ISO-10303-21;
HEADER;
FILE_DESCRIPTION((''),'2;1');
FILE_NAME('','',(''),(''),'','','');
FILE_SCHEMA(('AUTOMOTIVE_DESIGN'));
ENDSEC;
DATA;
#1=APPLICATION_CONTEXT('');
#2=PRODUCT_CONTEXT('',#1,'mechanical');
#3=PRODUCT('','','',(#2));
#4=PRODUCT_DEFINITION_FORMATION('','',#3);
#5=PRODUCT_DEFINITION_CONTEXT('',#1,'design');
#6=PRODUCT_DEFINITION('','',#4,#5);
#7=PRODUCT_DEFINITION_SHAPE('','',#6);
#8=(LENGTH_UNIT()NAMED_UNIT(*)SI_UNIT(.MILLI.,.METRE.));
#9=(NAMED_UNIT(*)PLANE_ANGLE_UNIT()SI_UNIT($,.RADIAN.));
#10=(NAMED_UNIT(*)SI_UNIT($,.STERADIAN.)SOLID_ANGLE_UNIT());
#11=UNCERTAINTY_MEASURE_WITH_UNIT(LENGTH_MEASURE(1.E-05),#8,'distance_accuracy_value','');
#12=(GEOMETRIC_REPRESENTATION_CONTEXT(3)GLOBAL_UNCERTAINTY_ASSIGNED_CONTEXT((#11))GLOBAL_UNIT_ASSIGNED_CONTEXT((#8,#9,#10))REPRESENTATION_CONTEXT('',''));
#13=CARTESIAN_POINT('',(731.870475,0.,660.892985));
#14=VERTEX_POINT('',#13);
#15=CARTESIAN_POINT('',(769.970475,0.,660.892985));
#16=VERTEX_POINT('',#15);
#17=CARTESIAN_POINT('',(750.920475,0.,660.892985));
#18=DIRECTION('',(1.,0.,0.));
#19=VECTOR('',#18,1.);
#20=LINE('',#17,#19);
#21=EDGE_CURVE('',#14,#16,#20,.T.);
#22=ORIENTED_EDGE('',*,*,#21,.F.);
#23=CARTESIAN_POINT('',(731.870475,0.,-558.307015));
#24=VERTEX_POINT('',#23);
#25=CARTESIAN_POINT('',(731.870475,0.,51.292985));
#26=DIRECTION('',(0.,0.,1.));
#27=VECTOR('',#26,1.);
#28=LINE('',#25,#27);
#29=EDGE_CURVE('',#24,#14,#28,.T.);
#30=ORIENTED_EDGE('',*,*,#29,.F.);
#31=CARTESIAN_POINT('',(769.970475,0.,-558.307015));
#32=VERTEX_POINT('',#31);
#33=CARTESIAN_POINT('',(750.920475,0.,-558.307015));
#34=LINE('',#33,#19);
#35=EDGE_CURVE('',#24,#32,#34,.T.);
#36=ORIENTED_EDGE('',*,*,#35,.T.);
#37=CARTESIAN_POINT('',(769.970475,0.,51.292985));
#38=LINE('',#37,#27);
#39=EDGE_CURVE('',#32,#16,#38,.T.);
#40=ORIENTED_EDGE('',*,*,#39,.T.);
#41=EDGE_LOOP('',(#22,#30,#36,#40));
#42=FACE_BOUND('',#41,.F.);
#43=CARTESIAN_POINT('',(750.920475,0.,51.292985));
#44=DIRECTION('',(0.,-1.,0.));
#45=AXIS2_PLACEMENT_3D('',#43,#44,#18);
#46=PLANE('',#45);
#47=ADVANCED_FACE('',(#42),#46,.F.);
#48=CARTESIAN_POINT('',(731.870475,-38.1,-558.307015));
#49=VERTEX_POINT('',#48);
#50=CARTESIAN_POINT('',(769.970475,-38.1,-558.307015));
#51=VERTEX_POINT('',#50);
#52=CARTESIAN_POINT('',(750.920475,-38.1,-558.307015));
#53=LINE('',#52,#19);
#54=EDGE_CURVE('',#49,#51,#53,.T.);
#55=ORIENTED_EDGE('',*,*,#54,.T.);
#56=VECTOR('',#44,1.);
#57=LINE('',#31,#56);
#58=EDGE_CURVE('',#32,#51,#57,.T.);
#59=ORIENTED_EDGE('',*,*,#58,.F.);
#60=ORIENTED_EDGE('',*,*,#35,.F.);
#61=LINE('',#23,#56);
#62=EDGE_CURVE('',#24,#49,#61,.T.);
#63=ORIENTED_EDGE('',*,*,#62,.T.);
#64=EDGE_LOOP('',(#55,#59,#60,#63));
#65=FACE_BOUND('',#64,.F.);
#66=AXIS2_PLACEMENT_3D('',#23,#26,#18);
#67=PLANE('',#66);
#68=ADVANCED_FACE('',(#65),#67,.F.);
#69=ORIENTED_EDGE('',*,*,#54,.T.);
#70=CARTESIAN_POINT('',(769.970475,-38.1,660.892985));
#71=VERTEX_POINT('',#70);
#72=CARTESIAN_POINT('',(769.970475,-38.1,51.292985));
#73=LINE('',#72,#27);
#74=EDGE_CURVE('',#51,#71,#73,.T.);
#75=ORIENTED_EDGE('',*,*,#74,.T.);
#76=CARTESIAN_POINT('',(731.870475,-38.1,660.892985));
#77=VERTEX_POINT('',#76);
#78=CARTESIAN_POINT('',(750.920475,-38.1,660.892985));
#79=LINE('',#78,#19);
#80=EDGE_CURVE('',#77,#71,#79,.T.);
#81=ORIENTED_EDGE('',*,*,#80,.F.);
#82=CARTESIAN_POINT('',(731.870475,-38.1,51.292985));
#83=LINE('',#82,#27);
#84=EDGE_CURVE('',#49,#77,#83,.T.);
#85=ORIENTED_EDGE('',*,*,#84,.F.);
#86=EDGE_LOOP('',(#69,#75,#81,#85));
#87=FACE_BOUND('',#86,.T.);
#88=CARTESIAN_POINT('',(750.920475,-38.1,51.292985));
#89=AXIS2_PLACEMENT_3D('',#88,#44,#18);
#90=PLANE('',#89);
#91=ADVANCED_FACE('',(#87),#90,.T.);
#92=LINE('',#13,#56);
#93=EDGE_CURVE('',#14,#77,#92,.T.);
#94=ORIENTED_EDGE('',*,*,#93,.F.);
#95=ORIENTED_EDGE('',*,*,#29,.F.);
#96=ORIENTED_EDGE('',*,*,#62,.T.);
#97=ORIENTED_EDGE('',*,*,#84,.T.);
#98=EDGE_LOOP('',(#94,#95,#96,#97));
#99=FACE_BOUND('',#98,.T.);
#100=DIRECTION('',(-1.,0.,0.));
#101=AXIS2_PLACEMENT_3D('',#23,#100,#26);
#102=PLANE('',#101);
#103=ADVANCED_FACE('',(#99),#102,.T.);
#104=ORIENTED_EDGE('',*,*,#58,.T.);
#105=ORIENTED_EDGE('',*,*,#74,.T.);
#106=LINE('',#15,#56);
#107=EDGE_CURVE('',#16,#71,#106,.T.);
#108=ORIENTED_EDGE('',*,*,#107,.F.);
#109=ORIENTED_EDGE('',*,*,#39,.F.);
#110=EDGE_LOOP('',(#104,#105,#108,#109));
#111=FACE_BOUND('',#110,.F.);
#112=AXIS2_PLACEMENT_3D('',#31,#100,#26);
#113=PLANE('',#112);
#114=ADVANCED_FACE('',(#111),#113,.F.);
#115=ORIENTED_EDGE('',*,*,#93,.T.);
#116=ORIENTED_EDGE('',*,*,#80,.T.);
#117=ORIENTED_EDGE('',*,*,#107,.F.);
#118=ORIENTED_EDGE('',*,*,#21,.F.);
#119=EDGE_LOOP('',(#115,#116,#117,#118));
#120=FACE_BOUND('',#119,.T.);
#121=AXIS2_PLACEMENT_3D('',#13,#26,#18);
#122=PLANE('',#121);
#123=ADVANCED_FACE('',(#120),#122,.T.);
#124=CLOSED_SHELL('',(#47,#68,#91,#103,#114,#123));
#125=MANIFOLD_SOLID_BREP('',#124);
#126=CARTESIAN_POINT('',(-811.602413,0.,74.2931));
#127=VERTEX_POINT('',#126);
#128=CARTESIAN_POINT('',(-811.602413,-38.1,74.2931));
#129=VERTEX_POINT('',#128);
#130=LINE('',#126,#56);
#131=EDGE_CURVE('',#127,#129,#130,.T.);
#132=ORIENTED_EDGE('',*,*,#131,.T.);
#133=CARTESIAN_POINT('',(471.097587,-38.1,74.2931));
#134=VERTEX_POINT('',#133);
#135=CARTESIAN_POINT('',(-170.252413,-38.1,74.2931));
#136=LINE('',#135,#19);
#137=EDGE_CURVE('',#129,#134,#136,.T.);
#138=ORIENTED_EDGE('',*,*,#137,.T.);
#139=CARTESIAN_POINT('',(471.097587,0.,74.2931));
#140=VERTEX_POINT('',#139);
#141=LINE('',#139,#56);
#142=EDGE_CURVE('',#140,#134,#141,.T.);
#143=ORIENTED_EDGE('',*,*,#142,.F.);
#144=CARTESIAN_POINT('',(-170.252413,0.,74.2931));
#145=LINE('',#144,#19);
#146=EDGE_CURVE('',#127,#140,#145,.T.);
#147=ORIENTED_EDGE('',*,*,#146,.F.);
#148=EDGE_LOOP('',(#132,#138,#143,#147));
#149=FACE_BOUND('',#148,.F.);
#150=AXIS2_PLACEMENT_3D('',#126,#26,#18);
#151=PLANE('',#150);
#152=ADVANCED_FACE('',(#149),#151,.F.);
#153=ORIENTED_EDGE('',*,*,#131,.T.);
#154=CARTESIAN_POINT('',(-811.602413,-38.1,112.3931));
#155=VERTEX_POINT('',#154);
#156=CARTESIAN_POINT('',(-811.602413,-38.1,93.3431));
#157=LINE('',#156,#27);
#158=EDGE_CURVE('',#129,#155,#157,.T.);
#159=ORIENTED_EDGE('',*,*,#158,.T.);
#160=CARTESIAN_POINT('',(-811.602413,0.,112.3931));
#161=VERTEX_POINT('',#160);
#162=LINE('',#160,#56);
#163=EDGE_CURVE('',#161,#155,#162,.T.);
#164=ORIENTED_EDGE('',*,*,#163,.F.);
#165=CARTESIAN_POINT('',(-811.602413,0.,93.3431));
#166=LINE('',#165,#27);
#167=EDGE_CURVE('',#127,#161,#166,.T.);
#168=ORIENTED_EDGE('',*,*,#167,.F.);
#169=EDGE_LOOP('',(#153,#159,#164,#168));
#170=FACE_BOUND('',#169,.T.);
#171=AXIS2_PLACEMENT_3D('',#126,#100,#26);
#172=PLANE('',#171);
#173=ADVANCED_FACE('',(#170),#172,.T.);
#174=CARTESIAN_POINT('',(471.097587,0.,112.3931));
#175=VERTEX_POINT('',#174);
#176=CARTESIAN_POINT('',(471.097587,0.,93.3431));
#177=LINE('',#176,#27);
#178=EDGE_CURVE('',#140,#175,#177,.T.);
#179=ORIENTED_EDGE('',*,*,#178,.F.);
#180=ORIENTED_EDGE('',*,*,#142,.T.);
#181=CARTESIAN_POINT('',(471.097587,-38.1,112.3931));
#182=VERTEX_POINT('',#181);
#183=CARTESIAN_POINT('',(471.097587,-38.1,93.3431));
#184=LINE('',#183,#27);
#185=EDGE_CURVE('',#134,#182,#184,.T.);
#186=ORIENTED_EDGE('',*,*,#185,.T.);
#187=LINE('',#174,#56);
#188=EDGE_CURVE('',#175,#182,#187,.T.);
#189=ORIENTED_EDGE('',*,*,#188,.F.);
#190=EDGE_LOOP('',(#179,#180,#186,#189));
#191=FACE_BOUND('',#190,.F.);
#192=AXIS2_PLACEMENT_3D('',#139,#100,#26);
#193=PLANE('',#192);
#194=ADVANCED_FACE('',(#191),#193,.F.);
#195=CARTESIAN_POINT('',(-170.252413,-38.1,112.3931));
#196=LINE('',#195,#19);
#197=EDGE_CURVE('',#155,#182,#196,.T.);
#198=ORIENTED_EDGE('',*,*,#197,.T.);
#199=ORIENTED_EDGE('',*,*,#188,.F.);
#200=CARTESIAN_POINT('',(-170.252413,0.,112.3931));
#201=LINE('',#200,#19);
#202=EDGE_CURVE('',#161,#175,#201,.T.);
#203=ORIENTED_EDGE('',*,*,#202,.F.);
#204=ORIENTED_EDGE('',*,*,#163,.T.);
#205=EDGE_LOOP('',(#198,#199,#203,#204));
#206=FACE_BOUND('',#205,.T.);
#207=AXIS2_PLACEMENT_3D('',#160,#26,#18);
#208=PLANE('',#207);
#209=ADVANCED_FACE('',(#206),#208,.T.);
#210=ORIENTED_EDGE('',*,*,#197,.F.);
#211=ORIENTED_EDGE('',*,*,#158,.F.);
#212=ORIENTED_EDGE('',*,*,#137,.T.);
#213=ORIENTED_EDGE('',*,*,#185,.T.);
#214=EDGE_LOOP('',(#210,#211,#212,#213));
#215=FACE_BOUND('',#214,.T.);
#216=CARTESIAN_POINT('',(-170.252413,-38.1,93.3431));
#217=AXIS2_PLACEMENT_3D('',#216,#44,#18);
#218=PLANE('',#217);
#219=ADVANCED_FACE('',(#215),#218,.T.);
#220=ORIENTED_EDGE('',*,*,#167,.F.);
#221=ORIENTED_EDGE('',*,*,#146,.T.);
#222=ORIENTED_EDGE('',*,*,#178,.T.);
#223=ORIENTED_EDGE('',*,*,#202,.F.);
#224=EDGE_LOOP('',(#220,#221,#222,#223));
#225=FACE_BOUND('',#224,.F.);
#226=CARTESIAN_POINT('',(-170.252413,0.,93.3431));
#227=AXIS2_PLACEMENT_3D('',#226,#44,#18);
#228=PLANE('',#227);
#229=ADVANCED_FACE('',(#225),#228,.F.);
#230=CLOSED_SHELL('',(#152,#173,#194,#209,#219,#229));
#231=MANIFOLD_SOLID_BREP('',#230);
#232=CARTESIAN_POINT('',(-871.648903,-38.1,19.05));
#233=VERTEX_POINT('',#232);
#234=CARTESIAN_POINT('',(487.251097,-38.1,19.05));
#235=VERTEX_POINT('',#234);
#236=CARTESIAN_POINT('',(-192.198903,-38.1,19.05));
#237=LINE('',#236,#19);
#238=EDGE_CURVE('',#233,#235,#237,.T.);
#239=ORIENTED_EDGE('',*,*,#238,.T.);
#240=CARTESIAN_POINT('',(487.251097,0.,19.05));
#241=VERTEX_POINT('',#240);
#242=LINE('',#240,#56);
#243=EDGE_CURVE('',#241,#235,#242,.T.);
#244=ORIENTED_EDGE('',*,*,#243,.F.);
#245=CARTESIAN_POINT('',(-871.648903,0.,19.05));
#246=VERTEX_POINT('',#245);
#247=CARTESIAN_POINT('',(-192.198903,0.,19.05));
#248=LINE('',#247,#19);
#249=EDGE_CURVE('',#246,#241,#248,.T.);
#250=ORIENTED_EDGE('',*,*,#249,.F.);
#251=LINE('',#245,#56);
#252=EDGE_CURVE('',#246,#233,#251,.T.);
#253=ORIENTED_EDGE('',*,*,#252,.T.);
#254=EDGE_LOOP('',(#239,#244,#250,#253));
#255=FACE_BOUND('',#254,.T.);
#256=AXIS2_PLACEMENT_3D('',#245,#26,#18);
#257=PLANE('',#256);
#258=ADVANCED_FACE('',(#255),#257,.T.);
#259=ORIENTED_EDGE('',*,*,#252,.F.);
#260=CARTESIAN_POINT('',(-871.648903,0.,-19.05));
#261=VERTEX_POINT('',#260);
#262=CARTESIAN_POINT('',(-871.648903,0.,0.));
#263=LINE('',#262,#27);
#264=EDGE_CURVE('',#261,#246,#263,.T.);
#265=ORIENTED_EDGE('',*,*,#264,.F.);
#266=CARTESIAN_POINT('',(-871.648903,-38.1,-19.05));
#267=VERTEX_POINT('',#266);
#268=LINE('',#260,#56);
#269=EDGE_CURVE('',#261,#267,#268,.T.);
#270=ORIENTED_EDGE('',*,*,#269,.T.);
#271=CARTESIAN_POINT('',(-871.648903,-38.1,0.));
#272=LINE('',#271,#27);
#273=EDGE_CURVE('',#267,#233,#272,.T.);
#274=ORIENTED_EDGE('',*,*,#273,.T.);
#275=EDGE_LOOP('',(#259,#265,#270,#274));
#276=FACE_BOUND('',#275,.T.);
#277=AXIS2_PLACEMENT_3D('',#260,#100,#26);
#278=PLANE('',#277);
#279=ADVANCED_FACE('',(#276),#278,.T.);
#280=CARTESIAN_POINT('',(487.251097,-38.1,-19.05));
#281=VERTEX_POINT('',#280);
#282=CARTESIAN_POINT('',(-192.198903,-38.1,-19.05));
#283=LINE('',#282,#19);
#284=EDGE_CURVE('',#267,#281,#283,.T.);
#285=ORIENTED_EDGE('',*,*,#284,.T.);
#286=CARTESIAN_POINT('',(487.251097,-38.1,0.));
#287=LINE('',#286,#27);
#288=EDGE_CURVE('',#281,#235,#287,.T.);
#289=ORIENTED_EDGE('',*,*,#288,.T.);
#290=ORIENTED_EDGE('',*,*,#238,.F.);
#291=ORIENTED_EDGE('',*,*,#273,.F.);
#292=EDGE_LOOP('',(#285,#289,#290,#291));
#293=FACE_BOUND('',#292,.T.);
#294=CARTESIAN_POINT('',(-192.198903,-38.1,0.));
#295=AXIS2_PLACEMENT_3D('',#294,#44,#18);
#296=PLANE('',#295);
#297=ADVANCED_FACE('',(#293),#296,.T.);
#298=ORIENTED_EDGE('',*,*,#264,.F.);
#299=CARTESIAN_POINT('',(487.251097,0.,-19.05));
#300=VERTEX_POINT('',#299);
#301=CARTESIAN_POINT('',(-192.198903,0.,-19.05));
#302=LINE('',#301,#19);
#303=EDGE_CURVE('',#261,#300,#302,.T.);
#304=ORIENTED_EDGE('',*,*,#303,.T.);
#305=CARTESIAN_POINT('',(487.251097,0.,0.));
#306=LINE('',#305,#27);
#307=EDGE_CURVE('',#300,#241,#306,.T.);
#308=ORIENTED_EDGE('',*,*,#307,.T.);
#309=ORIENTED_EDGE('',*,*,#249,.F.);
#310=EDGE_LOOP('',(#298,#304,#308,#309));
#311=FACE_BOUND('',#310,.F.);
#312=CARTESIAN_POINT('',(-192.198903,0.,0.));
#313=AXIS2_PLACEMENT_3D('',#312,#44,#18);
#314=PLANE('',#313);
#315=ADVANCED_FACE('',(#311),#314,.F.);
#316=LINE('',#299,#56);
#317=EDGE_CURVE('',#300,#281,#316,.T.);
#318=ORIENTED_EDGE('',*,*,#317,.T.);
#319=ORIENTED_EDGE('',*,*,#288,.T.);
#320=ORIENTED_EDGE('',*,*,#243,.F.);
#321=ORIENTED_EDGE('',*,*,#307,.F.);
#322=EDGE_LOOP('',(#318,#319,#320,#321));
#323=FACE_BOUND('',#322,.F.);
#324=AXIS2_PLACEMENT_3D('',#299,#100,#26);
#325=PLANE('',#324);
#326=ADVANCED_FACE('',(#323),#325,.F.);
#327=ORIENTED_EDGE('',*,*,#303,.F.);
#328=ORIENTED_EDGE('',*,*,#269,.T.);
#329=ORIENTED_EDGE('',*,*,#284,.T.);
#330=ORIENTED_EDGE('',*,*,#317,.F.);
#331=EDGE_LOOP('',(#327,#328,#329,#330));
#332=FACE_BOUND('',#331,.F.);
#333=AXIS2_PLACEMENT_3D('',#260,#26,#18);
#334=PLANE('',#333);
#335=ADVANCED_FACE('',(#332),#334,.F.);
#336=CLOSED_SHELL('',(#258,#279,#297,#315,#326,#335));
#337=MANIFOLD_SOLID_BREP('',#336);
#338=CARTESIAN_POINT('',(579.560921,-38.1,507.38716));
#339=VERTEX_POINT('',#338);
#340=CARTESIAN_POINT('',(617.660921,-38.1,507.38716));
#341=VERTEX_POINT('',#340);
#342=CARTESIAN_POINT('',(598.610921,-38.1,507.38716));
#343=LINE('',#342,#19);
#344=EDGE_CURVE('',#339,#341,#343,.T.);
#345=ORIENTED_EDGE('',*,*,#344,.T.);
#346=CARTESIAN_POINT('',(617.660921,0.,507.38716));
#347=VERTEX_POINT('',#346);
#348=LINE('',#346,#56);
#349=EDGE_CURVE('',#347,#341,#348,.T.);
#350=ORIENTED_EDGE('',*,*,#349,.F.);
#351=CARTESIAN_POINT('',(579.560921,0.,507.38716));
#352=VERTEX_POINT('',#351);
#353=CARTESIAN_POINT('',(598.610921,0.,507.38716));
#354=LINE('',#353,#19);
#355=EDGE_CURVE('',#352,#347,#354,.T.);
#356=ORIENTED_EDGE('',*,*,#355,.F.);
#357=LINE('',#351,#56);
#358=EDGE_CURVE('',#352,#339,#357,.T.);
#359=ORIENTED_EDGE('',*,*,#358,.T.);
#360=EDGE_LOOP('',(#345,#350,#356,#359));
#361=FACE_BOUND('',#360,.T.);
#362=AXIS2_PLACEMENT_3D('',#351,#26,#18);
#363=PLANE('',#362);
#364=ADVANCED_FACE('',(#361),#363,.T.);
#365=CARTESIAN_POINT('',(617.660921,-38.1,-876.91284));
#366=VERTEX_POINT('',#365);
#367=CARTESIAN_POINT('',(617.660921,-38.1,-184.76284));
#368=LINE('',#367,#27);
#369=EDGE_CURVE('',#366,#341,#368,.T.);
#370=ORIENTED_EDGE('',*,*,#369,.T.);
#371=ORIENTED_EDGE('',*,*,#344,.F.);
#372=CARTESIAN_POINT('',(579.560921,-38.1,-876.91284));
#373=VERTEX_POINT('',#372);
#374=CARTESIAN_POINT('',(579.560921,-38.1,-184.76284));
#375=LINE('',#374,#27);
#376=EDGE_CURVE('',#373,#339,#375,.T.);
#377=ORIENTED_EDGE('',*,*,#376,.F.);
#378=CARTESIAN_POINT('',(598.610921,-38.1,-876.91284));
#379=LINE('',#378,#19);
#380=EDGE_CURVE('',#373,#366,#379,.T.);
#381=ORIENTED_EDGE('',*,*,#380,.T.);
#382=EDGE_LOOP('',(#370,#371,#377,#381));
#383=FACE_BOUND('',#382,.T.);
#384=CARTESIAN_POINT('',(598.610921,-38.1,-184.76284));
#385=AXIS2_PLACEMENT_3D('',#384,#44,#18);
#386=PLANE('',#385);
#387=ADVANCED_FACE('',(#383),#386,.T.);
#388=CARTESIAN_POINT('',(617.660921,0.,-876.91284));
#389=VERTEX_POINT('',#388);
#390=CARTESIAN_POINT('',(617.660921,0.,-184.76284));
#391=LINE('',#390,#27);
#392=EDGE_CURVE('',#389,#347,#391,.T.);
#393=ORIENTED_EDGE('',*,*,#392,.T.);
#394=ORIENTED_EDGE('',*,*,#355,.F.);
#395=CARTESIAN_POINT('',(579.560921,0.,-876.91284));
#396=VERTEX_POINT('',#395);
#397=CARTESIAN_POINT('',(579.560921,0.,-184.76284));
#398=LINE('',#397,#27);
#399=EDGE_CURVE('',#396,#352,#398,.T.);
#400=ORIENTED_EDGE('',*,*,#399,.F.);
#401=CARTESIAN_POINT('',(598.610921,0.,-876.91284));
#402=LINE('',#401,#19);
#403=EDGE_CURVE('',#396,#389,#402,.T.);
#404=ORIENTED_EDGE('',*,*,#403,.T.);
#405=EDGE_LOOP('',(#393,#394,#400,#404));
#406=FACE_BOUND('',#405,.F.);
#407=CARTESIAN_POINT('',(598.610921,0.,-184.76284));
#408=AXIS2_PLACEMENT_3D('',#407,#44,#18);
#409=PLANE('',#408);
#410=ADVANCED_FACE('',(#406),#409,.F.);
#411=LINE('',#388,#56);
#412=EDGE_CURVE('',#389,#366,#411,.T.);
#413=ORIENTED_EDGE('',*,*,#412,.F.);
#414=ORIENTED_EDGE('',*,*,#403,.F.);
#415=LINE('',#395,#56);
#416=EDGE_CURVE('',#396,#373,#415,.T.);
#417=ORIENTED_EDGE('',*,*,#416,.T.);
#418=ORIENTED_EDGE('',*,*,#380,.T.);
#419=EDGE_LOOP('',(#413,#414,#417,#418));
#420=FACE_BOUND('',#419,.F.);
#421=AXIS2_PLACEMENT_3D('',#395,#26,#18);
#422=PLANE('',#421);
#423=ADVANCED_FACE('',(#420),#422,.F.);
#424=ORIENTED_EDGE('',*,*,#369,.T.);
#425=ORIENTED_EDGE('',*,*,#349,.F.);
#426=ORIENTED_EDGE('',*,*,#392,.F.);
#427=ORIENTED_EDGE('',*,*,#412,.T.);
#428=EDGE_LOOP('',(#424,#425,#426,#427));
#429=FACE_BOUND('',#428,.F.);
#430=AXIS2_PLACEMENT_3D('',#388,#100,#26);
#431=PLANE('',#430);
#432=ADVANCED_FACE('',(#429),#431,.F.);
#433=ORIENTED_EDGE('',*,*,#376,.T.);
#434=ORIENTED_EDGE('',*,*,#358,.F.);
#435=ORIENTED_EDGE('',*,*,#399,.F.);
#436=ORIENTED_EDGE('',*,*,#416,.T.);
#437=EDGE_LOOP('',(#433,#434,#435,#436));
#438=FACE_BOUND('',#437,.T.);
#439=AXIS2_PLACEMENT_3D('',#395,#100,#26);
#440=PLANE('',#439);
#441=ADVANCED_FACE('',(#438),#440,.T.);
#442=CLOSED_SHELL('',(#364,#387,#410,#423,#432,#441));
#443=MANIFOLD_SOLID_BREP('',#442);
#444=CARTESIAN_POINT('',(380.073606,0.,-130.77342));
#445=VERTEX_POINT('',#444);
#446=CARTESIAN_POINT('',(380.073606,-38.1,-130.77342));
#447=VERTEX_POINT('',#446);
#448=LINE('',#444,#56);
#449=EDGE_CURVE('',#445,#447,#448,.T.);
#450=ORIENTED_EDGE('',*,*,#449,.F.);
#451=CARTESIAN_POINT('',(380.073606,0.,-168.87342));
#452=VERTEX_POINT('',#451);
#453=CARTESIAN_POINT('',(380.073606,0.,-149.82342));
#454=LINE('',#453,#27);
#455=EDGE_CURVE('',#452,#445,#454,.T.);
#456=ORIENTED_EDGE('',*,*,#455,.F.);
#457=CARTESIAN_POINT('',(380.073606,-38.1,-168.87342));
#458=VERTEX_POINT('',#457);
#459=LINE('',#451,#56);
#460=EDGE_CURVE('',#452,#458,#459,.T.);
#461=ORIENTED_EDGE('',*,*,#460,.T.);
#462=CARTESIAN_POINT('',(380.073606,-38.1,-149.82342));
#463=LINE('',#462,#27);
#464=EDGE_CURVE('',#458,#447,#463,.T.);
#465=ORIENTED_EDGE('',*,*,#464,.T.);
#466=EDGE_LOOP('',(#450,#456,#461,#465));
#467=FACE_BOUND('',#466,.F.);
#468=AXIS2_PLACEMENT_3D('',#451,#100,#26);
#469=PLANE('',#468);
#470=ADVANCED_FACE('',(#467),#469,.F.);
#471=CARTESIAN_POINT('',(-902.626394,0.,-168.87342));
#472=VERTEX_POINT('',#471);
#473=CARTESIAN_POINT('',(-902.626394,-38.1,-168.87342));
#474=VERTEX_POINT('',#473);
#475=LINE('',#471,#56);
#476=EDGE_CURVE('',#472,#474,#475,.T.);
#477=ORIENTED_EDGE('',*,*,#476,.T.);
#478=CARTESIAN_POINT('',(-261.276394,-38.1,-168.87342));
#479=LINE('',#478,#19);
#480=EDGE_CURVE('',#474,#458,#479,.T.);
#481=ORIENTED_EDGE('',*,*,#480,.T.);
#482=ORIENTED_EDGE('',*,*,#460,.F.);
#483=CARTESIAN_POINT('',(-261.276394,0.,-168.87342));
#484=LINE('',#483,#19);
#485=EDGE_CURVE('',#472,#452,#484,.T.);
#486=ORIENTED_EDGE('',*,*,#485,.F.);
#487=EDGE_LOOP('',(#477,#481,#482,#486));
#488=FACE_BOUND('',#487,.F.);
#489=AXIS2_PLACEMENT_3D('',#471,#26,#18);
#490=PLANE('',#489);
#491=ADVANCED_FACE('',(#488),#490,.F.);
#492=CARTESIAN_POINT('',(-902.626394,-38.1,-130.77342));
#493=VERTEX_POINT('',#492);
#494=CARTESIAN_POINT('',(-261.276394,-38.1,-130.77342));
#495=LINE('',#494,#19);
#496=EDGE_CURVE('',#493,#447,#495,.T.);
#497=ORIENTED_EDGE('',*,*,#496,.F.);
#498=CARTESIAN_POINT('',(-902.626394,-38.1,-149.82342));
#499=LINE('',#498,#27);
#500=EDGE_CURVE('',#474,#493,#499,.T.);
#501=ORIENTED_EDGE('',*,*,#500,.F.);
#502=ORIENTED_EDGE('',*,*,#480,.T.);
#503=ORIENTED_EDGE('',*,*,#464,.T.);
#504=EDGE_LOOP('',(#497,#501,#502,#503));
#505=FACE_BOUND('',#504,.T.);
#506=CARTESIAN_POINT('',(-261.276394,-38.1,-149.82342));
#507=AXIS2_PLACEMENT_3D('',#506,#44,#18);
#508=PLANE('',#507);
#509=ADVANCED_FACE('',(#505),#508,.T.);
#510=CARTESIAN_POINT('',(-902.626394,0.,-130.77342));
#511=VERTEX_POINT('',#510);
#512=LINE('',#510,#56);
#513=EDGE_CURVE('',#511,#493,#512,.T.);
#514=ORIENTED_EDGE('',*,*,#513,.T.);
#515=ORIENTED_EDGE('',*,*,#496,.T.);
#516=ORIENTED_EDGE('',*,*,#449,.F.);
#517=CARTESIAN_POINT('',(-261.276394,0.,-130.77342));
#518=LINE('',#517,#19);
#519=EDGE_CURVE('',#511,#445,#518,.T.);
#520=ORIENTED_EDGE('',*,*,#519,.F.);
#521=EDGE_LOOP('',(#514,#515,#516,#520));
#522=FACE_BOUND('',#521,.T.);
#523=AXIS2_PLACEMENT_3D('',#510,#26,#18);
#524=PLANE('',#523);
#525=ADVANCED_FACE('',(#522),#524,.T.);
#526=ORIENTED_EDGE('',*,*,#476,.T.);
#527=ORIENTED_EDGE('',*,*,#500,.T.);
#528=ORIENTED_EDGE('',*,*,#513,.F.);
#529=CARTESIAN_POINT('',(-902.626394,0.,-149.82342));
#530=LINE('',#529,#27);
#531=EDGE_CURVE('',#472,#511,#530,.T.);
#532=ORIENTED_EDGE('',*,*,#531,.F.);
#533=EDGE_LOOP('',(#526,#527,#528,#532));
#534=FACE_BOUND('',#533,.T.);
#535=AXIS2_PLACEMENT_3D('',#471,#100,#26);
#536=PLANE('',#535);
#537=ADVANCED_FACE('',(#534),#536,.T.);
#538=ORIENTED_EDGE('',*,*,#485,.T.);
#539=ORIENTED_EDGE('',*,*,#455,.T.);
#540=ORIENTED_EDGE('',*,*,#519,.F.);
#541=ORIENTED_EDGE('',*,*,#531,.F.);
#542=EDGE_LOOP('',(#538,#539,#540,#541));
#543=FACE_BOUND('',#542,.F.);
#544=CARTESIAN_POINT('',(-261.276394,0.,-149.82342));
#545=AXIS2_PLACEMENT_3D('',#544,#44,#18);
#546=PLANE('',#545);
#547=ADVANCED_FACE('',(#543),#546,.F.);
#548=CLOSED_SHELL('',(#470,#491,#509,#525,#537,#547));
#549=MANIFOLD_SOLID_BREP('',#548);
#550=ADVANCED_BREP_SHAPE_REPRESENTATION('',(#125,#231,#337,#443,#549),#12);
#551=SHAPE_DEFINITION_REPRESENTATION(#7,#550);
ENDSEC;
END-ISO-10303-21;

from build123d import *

# Parameters (mm, degrees)
F0_W     = 1282.7
F0_H     = 38.1
F3_DEPTH = 38.1
F1_W     = 1358.9
F1_H     = 38.1
F4_DEPTH = 38.1
F2_W     = 38.1
F2_H     = 1384.3
F5_DEPTH = 38.1
F6_W     = 1282.7
F6_H     = 38.1
F8_DEPTH = 38.1
F7_W     = 38.1
F7_H     = 1219.2
F9_DEPTH = 38.1


with BuildPart() as f3:
    # F0 (on Front) → F3 (new body)
    with BuildSketch(Plane.XZ):
        with Locations((-170.252413, 93.3431)):
            Rectangle(F0_W, F0_H)
    extrude(amount=F3_DEPTH)


with BuildPart() as f4:
    # F1 (on Front) → F4 (new body)
    with BuildSketch(Plane.XZ):
        with Locations((-192.198903, 0)):
            Rectangle(F1_W, F1_H)
    extrude(amount=F4_DEPTH)


with BuildPart() as f5:
    # F2 (on Front) → F5 (new body)
    with BuildSketch(Plane.XZ):
        with Locations((598.610921, -184.76284)):
            Rectangle(F2_W, F2_H)
    extrude(amount=F5_DEPTH)


with BuildPart() as f8:
    # F6 (on Front) → F8 (new body)
    with BuildSketch(Plane.XZ):
        with Locations((-261.276394, -149.82342)):
            Rectangle(F6_W, F6_H)
    extrude(amount=F8_DEPTH)


with BuildPart() as f9:
    # F7 (on Front) → F9 (new body)
    with BuildSketch(Plane.XZ):
        with Locations((750.920475, 51.292985)):
            Rectangle(F7_W, F7_H)
    extrude(amount=F9_DEPTH)


solid = Compound([f3.part, f4.part, f5.part, f8.part, f9.part])
